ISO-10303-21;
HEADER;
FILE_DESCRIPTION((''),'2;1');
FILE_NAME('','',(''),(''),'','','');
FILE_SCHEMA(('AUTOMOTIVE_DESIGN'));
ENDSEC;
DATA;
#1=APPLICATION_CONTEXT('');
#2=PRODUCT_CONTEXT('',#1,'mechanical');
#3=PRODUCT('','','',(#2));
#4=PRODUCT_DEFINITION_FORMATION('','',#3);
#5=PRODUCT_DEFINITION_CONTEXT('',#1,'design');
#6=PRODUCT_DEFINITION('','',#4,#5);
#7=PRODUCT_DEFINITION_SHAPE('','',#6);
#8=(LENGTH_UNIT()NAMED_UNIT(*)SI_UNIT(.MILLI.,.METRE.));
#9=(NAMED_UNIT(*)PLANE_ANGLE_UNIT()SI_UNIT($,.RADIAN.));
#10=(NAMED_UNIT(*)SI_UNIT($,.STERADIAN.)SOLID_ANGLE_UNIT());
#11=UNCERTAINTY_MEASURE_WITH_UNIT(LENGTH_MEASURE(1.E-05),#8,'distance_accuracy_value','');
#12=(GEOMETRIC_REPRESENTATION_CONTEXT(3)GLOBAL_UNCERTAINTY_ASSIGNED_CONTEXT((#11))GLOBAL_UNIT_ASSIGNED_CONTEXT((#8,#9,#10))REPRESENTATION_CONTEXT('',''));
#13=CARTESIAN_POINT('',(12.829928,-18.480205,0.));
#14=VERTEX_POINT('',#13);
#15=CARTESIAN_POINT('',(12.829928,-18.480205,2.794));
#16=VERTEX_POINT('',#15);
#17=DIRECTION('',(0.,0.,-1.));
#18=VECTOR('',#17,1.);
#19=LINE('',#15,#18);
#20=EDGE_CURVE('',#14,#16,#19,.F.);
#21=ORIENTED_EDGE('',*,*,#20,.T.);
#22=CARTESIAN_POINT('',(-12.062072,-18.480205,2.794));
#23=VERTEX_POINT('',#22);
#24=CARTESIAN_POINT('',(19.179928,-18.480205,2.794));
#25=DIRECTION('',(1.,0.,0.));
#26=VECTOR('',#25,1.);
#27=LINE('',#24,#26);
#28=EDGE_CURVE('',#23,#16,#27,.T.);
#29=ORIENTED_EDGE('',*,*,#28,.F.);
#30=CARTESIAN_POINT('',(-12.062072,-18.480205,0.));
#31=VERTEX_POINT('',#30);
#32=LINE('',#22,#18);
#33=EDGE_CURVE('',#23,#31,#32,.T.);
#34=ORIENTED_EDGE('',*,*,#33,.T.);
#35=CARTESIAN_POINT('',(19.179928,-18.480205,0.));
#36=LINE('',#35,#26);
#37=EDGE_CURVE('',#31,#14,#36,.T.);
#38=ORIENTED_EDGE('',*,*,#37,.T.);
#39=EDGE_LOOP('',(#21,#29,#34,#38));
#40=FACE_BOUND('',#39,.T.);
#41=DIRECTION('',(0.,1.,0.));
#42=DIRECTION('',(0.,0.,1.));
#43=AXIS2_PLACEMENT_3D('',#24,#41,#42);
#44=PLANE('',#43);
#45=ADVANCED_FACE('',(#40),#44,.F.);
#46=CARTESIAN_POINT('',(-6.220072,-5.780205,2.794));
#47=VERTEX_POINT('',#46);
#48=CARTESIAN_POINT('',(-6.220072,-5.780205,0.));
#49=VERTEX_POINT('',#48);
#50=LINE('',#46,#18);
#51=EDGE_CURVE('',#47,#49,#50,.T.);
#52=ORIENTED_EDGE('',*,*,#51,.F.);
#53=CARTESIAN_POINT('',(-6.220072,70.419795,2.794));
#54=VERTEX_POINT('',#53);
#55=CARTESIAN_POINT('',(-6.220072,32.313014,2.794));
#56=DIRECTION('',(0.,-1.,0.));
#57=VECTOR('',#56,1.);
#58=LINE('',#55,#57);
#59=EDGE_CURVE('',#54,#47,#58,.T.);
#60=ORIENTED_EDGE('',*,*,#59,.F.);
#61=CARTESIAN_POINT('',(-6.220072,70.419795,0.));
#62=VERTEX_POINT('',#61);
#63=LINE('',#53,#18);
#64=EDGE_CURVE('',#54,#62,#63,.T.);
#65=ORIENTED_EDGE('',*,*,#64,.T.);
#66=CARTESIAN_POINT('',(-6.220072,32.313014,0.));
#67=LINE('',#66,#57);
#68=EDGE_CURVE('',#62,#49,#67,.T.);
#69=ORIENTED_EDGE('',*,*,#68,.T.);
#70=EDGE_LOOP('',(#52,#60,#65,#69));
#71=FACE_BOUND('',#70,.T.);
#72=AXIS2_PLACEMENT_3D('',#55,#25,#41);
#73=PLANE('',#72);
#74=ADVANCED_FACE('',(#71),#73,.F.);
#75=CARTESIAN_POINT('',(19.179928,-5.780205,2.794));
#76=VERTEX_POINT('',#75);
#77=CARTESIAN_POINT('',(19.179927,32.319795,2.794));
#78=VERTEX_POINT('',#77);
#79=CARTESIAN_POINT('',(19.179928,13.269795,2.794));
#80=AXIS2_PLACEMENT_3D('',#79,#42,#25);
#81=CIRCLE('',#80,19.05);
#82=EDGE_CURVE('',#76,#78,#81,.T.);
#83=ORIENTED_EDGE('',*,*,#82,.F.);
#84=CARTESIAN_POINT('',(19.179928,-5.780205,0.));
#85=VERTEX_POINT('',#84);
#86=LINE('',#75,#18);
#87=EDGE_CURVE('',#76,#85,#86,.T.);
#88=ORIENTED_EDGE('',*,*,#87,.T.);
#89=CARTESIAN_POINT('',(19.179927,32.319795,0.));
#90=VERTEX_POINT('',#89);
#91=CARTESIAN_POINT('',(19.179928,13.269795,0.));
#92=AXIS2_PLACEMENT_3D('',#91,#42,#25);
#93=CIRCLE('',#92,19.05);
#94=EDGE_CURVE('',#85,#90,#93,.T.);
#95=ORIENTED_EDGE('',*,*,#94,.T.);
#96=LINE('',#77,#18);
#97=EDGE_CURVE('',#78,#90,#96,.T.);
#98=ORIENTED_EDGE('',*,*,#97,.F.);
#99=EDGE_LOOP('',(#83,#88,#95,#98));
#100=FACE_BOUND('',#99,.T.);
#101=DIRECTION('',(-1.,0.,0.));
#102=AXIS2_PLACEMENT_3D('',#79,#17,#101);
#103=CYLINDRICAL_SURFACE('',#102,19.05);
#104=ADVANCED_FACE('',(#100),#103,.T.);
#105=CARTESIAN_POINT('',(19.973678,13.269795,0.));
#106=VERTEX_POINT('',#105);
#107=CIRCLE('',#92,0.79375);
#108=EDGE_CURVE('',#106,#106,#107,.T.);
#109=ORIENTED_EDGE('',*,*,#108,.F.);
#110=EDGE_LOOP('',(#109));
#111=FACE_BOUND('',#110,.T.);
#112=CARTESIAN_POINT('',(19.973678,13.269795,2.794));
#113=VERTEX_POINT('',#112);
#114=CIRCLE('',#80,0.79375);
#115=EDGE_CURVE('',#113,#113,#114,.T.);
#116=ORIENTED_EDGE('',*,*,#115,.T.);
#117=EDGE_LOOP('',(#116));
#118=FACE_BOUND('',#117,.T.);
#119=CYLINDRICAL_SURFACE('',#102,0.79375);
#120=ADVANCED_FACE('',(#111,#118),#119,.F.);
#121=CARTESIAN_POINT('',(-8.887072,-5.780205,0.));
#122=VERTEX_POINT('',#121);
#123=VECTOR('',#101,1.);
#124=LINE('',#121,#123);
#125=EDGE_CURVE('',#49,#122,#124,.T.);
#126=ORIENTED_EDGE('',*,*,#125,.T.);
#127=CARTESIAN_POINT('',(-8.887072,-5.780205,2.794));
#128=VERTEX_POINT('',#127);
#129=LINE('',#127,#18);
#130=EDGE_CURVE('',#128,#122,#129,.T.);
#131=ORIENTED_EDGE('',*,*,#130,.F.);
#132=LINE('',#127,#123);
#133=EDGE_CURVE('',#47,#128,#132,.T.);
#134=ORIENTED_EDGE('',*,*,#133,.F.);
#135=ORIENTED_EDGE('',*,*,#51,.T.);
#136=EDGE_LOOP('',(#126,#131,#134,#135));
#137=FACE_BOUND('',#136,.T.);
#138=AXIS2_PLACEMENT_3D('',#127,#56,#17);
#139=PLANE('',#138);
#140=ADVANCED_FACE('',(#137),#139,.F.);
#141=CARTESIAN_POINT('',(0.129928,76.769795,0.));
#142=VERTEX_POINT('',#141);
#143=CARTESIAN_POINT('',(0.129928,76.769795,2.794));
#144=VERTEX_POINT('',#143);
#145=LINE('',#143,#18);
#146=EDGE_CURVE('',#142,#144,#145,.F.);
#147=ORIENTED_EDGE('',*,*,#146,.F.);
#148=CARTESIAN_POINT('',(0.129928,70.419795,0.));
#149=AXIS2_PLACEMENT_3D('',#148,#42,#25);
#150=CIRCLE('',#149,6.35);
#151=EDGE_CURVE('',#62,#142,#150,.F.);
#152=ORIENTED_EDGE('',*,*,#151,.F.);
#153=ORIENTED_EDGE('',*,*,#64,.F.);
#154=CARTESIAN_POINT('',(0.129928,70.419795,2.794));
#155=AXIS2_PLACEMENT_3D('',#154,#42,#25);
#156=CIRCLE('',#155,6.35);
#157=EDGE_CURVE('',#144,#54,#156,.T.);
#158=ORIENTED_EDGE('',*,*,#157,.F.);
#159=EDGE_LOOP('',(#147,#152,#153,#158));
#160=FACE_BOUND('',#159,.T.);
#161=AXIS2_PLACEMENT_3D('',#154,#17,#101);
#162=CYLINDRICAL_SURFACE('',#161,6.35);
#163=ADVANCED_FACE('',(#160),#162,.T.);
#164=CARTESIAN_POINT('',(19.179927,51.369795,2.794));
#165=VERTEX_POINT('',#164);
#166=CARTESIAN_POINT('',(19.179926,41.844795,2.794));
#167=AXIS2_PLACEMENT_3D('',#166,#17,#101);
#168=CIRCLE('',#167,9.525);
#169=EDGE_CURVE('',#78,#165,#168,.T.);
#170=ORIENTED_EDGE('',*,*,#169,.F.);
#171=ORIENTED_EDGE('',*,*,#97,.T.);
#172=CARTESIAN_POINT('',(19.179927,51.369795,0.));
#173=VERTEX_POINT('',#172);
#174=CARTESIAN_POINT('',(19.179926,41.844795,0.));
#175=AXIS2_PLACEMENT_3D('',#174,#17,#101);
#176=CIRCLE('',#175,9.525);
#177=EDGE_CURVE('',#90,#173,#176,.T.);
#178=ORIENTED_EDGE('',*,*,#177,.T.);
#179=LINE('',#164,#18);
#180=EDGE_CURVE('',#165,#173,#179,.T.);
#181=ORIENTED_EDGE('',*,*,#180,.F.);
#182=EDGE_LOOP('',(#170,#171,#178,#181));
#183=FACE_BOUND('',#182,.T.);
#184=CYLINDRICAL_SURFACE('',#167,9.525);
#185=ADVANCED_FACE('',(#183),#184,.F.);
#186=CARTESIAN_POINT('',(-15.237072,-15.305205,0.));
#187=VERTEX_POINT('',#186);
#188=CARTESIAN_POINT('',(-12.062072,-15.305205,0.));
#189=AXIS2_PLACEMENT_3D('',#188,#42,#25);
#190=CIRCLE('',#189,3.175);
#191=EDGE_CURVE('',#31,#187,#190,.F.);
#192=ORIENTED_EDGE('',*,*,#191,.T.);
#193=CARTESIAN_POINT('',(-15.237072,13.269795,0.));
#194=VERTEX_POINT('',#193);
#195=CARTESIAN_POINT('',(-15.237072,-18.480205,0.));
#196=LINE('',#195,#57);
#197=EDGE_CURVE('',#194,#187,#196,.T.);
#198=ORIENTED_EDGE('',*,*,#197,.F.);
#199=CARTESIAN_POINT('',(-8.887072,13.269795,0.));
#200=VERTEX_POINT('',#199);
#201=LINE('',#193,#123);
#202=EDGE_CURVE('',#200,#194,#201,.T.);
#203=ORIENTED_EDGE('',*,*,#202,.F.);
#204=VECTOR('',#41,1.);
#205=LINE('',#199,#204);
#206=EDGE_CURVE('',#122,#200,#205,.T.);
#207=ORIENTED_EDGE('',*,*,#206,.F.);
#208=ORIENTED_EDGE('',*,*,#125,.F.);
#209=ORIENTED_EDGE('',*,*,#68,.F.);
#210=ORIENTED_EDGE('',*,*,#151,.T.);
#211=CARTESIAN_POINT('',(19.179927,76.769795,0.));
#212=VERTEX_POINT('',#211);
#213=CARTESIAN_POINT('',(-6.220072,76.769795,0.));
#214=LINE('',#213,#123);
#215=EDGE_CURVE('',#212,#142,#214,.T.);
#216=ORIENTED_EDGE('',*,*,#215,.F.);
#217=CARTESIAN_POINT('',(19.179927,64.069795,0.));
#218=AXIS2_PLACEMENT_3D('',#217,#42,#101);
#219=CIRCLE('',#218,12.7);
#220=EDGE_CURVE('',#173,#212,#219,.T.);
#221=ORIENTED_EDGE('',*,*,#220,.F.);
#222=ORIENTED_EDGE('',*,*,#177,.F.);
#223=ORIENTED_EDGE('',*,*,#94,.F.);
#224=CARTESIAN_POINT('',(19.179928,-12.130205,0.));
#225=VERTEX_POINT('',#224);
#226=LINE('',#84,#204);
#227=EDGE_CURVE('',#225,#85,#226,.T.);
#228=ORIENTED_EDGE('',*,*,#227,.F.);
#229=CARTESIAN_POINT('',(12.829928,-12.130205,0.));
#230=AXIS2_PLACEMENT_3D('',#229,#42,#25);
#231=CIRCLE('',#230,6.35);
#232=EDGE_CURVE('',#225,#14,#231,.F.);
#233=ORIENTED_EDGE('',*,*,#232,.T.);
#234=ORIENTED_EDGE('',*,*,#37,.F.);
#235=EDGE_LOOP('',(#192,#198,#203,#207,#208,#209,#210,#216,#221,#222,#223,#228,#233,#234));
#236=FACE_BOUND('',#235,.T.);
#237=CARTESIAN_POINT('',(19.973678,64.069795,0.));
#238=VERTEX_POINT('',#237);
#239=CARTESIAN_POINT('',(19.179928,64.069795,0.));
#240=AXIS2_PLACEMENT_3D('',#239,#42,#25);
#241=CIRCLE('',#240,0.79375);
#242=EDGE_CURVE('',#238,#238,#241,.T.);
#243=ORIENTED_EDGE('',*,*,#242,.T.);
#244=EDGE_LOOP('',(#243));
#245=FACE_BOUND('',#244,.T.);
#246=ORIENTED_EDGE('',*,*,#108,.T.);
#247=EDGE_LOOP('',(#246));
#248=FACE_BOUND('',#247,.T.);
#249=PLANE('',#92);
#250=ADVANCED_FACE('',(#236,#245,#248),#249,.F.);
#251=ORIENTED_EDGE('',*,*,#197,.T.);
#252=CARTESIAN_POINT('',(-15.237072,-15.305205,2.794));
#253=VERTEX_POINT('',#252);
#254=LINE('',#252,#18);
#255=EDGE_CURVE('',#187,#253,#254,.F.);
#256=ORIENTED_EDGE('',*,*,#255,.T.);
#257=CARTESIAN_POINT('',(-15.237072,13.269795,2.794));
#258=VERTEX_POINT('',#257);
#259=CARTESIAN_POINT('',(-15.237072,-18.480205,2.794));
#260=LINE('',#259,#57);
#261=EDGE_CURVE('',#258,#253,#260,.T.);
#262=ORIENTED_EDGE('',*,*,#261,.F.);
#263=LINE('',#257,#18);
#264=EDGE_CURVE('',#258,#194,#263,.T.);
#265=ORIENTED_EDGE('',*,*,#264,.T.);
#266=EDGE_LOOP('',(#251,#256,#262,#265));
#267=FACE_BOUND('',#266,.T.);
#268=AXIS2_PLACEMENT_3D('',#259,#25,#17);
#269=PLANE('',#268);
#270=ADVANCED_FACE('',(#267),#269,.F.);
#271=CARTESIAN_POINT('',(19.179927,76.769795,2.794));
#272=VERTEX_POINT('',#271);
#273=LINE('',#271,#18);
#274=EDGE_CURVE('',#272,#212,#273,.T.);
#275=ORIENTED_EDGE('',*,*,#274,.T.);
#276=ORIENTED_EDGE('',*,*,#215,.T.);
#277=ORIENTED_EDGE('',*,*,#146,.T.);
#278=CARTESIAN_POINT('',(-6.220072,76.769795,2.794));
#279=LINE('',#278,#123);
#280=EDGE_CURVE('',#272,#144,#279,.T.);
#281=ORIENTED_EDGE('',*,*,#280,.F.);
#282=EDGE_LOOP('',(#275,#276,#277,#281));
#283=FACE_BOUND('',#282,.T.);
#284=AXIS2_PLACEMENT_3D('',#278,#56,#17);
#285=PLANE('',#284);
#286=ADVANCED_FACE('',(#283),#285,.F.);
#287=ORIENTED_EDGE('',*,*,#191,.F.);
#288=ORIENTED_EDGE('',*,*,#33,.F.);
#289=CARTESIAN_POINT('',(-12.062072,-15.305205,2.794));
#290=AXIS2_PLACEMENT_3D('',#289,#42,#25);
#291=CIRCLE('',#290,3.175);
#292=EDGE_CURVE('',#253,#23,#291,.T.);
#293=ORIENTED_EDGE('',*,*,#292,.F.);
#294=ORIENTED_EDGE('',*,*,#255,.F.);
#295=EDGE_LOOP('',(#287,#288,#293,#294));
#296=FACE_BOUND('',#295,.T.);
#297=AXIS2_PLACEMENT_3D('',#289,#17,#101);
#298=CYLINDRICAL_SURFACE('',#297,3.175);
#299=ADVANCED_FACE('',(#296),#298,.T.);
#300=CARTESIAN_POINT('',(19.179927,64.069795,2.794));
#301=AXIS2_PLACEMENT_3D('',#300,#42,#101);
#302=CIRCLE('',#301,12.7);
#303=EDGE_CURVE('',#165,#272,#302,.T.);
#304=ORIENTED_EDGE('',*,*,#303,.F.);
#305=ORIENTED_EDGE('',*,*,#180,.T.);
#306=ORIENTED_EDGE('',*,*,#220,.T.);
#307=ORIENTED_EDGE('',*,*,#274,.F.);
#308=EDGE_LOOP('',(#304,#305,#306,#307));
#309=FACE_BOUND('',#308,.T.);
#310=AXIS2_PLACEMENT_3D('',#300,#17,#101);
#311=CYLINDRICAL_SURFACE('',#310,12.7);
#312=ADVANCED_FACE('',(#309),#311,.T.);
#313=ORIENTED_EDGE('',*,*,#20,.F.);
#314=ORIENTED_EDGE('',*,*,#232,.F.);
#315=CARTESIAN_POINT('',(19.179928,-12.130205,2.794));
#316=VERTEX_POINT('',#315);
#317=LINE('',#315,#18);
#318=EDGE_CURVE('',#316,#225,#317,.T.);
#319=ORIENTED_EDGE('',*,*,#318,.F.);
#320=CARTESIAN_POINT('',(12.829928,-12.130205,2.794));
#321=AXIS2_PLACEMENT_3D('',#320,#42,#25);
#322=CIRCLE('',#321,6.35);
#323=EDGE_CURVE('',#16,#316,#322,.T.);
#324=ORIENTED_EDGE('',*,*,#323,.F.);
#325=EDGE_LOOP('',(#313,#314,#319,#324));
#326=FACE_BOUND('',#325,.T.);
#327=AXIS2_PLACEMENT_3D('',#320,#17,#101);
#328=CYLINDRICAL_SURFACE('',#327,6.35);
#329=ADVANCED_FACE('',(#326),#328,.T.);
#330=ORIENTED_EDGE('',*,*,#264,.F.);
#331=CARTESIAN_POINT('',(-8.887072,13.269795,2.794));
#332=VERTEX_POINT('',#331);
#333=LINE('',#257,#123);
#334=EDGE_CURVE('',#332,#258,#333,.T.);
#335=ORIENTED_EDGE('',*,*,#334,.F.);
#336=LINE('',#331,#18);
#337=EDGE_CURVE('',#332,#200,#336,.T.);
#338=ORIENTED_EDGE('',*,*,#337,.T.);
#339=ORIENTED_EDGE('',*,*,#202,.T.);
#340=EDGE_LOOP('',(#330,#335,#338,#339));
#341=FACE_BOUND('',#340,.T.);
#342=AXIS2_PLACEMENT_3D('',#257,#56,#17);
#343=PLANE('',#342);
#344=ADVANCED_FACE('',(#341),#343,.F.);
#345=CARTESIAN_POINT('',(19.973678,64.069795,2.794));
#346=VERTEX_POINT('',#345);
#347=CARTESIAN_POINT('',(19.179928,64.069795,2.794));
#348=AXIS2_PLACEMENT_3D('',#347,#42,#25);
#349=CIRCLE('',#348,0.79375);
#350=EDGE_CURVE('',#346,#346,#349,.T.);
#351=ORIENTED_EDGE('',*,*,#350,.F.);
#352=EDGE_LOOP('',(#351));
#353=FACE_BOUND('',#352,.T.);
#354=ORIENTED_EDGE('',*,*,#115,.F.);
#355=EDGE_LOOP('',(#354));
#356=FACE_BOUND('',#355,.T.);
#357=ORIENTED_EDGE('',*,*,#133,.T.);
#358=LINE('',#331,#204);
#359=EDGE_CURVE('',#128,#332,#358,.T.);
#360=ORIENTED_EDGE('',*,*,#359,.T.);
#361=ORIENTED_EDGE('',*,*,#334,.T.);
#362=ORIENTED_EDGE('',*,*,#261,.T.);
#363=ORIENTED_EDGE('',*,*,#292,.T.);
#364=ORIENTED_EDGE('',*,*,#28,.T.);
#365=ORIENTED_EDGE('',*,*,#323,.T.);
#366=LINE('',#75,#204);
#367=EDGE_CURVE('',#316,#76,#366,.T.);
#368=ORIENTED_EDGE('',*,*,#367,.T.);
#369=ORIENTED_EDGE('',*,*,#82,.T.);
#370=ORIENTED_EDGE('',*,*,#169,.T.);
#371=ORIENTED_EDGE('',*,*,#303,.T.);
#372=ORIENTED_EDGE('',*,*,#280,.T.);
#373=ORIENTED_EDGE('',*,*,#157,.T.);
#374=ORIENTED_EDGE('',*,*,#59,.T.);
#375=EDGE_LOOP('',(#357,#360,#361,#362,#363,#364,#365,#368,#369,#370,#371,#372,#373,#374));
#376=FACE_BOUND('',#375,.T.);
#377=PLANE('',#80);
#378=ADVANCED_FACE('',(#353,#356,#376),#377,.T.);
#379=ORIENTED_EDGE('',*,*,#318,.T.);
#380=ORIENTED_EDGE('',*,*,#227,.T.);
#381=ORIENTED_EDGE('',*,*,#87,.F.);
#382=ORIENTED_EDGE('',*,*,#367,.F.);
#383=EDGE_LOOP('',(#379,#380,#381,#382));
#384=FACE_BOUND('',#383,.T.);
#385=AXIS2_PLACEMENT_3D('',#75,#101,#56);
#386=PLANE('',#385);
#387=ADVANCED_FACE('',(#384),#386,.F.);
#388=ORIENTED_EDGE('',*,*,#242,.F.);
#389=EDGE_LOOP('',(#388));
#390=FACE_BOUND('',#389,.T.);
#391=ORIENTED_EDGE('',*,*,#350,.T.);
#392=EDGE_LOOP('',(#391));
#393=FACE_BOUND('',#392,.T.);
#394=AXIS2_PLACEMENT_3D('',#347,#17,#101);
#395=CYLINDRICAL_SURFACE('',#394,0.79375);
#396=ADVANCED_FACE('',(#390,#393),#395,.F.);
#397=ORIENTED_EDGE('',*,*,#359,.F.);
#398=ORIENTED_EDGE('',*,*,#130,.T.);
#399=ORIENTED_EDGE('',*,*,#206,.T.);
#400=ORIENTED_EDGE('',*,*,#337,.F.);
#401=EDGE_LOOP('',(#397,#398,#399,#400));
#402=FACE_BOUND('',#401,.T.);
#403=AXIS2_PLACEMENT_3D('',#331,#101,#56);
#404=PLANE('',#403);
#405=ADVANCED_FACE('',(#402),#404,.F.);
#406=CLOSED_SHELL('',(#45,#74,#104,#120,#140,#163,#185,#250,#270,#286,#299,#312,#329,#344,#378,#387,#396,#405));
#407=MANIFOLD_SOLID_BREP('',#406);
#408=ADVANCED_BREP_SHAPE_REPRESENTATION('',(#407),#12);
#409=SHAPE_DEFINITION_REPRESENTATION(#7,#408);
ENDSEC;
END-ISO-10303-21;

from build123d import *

# Parameters (mm, degrees)
SKETCH1_R           = 0.79375
BOSS_EXTRUDE1_DEPTH = 2.794
FILLET1_R           = 6.35
FILLET2_R           = 3.175


with BuildPart() as part:
    # Sketch1 → Boss-Extrude1 (new body)
    with BuildSketch(Plane.XY):
        with BuildLine():
            Line((-15.237072382, 13.269795383), (-8.887072382, 13.269795383))
            Line((-8.887072382, 13.269795383), (-8.887072382, -5.780204617))
            Line((-8.887072382, -5.780204617), (-6.220072382, -5.780204617))
            Line((-6.220072382, -5.780204617), (-6.220072382, 32.313013632))
            Line((-6.220072382, 32.313013632), (-6.220072382, 76.769795383))
            Line((-6.220072382, 76.769795383), (19.179927297, 76.769795383))
            ThreePointArc((19.179927297, 76.769795383), (31.879927297, 64.069795092), (19.179926715, 51.369795383))
            ThreePointArc((19.179926715, 51.369795383), (9.654926277, 41.844795383), (19.179926715, 32.319795383))
            ThreePointArc((19.179926715, 32.319795383), (38.229927618, 13.269795835), (19.179927618, -5.780204617))
            Line((19.179927618, -5.780204617), (19.179927618, -18.480204617))
            Line((19.179927618, -18.480204617), (-15.237072382, -18.480204617))
            Line((-15.237072382, -18.480204617), (-15.237072382, 13.269795383))
        make_face()
        with Locations((19.179927618, 13.269795383)):
            Circle(SKETCH1_R, mode=Mode.SUBTRACT)
        with Locations((19.179927618, 64.069795383)):
            Circle(SKETCH1_R, mode=Mode.SUBTRACT)
    extrude(amount=BOSS_EXTRUDE1_DEPTH)

    # Fillet1
    fillet1_edges = [part.edges().sort_by_distance(p)[0] for p in [
        (19.179927618, -18.480204617, 1.397),
        (-6.220072382, 76.769795383, 1.397),
    ]]
    fillet(fillet1_edges, radius=FILLET1_R)

    # Fillet2
    fillet2_edges = [part.edges().sort_by_distance(p)[0] for p in [
        (-15.237072382, -18.480204617, 1.397),
    ]]
    fillet(fillet2_edges, radius=FILLET2_R)


solid = part.part
